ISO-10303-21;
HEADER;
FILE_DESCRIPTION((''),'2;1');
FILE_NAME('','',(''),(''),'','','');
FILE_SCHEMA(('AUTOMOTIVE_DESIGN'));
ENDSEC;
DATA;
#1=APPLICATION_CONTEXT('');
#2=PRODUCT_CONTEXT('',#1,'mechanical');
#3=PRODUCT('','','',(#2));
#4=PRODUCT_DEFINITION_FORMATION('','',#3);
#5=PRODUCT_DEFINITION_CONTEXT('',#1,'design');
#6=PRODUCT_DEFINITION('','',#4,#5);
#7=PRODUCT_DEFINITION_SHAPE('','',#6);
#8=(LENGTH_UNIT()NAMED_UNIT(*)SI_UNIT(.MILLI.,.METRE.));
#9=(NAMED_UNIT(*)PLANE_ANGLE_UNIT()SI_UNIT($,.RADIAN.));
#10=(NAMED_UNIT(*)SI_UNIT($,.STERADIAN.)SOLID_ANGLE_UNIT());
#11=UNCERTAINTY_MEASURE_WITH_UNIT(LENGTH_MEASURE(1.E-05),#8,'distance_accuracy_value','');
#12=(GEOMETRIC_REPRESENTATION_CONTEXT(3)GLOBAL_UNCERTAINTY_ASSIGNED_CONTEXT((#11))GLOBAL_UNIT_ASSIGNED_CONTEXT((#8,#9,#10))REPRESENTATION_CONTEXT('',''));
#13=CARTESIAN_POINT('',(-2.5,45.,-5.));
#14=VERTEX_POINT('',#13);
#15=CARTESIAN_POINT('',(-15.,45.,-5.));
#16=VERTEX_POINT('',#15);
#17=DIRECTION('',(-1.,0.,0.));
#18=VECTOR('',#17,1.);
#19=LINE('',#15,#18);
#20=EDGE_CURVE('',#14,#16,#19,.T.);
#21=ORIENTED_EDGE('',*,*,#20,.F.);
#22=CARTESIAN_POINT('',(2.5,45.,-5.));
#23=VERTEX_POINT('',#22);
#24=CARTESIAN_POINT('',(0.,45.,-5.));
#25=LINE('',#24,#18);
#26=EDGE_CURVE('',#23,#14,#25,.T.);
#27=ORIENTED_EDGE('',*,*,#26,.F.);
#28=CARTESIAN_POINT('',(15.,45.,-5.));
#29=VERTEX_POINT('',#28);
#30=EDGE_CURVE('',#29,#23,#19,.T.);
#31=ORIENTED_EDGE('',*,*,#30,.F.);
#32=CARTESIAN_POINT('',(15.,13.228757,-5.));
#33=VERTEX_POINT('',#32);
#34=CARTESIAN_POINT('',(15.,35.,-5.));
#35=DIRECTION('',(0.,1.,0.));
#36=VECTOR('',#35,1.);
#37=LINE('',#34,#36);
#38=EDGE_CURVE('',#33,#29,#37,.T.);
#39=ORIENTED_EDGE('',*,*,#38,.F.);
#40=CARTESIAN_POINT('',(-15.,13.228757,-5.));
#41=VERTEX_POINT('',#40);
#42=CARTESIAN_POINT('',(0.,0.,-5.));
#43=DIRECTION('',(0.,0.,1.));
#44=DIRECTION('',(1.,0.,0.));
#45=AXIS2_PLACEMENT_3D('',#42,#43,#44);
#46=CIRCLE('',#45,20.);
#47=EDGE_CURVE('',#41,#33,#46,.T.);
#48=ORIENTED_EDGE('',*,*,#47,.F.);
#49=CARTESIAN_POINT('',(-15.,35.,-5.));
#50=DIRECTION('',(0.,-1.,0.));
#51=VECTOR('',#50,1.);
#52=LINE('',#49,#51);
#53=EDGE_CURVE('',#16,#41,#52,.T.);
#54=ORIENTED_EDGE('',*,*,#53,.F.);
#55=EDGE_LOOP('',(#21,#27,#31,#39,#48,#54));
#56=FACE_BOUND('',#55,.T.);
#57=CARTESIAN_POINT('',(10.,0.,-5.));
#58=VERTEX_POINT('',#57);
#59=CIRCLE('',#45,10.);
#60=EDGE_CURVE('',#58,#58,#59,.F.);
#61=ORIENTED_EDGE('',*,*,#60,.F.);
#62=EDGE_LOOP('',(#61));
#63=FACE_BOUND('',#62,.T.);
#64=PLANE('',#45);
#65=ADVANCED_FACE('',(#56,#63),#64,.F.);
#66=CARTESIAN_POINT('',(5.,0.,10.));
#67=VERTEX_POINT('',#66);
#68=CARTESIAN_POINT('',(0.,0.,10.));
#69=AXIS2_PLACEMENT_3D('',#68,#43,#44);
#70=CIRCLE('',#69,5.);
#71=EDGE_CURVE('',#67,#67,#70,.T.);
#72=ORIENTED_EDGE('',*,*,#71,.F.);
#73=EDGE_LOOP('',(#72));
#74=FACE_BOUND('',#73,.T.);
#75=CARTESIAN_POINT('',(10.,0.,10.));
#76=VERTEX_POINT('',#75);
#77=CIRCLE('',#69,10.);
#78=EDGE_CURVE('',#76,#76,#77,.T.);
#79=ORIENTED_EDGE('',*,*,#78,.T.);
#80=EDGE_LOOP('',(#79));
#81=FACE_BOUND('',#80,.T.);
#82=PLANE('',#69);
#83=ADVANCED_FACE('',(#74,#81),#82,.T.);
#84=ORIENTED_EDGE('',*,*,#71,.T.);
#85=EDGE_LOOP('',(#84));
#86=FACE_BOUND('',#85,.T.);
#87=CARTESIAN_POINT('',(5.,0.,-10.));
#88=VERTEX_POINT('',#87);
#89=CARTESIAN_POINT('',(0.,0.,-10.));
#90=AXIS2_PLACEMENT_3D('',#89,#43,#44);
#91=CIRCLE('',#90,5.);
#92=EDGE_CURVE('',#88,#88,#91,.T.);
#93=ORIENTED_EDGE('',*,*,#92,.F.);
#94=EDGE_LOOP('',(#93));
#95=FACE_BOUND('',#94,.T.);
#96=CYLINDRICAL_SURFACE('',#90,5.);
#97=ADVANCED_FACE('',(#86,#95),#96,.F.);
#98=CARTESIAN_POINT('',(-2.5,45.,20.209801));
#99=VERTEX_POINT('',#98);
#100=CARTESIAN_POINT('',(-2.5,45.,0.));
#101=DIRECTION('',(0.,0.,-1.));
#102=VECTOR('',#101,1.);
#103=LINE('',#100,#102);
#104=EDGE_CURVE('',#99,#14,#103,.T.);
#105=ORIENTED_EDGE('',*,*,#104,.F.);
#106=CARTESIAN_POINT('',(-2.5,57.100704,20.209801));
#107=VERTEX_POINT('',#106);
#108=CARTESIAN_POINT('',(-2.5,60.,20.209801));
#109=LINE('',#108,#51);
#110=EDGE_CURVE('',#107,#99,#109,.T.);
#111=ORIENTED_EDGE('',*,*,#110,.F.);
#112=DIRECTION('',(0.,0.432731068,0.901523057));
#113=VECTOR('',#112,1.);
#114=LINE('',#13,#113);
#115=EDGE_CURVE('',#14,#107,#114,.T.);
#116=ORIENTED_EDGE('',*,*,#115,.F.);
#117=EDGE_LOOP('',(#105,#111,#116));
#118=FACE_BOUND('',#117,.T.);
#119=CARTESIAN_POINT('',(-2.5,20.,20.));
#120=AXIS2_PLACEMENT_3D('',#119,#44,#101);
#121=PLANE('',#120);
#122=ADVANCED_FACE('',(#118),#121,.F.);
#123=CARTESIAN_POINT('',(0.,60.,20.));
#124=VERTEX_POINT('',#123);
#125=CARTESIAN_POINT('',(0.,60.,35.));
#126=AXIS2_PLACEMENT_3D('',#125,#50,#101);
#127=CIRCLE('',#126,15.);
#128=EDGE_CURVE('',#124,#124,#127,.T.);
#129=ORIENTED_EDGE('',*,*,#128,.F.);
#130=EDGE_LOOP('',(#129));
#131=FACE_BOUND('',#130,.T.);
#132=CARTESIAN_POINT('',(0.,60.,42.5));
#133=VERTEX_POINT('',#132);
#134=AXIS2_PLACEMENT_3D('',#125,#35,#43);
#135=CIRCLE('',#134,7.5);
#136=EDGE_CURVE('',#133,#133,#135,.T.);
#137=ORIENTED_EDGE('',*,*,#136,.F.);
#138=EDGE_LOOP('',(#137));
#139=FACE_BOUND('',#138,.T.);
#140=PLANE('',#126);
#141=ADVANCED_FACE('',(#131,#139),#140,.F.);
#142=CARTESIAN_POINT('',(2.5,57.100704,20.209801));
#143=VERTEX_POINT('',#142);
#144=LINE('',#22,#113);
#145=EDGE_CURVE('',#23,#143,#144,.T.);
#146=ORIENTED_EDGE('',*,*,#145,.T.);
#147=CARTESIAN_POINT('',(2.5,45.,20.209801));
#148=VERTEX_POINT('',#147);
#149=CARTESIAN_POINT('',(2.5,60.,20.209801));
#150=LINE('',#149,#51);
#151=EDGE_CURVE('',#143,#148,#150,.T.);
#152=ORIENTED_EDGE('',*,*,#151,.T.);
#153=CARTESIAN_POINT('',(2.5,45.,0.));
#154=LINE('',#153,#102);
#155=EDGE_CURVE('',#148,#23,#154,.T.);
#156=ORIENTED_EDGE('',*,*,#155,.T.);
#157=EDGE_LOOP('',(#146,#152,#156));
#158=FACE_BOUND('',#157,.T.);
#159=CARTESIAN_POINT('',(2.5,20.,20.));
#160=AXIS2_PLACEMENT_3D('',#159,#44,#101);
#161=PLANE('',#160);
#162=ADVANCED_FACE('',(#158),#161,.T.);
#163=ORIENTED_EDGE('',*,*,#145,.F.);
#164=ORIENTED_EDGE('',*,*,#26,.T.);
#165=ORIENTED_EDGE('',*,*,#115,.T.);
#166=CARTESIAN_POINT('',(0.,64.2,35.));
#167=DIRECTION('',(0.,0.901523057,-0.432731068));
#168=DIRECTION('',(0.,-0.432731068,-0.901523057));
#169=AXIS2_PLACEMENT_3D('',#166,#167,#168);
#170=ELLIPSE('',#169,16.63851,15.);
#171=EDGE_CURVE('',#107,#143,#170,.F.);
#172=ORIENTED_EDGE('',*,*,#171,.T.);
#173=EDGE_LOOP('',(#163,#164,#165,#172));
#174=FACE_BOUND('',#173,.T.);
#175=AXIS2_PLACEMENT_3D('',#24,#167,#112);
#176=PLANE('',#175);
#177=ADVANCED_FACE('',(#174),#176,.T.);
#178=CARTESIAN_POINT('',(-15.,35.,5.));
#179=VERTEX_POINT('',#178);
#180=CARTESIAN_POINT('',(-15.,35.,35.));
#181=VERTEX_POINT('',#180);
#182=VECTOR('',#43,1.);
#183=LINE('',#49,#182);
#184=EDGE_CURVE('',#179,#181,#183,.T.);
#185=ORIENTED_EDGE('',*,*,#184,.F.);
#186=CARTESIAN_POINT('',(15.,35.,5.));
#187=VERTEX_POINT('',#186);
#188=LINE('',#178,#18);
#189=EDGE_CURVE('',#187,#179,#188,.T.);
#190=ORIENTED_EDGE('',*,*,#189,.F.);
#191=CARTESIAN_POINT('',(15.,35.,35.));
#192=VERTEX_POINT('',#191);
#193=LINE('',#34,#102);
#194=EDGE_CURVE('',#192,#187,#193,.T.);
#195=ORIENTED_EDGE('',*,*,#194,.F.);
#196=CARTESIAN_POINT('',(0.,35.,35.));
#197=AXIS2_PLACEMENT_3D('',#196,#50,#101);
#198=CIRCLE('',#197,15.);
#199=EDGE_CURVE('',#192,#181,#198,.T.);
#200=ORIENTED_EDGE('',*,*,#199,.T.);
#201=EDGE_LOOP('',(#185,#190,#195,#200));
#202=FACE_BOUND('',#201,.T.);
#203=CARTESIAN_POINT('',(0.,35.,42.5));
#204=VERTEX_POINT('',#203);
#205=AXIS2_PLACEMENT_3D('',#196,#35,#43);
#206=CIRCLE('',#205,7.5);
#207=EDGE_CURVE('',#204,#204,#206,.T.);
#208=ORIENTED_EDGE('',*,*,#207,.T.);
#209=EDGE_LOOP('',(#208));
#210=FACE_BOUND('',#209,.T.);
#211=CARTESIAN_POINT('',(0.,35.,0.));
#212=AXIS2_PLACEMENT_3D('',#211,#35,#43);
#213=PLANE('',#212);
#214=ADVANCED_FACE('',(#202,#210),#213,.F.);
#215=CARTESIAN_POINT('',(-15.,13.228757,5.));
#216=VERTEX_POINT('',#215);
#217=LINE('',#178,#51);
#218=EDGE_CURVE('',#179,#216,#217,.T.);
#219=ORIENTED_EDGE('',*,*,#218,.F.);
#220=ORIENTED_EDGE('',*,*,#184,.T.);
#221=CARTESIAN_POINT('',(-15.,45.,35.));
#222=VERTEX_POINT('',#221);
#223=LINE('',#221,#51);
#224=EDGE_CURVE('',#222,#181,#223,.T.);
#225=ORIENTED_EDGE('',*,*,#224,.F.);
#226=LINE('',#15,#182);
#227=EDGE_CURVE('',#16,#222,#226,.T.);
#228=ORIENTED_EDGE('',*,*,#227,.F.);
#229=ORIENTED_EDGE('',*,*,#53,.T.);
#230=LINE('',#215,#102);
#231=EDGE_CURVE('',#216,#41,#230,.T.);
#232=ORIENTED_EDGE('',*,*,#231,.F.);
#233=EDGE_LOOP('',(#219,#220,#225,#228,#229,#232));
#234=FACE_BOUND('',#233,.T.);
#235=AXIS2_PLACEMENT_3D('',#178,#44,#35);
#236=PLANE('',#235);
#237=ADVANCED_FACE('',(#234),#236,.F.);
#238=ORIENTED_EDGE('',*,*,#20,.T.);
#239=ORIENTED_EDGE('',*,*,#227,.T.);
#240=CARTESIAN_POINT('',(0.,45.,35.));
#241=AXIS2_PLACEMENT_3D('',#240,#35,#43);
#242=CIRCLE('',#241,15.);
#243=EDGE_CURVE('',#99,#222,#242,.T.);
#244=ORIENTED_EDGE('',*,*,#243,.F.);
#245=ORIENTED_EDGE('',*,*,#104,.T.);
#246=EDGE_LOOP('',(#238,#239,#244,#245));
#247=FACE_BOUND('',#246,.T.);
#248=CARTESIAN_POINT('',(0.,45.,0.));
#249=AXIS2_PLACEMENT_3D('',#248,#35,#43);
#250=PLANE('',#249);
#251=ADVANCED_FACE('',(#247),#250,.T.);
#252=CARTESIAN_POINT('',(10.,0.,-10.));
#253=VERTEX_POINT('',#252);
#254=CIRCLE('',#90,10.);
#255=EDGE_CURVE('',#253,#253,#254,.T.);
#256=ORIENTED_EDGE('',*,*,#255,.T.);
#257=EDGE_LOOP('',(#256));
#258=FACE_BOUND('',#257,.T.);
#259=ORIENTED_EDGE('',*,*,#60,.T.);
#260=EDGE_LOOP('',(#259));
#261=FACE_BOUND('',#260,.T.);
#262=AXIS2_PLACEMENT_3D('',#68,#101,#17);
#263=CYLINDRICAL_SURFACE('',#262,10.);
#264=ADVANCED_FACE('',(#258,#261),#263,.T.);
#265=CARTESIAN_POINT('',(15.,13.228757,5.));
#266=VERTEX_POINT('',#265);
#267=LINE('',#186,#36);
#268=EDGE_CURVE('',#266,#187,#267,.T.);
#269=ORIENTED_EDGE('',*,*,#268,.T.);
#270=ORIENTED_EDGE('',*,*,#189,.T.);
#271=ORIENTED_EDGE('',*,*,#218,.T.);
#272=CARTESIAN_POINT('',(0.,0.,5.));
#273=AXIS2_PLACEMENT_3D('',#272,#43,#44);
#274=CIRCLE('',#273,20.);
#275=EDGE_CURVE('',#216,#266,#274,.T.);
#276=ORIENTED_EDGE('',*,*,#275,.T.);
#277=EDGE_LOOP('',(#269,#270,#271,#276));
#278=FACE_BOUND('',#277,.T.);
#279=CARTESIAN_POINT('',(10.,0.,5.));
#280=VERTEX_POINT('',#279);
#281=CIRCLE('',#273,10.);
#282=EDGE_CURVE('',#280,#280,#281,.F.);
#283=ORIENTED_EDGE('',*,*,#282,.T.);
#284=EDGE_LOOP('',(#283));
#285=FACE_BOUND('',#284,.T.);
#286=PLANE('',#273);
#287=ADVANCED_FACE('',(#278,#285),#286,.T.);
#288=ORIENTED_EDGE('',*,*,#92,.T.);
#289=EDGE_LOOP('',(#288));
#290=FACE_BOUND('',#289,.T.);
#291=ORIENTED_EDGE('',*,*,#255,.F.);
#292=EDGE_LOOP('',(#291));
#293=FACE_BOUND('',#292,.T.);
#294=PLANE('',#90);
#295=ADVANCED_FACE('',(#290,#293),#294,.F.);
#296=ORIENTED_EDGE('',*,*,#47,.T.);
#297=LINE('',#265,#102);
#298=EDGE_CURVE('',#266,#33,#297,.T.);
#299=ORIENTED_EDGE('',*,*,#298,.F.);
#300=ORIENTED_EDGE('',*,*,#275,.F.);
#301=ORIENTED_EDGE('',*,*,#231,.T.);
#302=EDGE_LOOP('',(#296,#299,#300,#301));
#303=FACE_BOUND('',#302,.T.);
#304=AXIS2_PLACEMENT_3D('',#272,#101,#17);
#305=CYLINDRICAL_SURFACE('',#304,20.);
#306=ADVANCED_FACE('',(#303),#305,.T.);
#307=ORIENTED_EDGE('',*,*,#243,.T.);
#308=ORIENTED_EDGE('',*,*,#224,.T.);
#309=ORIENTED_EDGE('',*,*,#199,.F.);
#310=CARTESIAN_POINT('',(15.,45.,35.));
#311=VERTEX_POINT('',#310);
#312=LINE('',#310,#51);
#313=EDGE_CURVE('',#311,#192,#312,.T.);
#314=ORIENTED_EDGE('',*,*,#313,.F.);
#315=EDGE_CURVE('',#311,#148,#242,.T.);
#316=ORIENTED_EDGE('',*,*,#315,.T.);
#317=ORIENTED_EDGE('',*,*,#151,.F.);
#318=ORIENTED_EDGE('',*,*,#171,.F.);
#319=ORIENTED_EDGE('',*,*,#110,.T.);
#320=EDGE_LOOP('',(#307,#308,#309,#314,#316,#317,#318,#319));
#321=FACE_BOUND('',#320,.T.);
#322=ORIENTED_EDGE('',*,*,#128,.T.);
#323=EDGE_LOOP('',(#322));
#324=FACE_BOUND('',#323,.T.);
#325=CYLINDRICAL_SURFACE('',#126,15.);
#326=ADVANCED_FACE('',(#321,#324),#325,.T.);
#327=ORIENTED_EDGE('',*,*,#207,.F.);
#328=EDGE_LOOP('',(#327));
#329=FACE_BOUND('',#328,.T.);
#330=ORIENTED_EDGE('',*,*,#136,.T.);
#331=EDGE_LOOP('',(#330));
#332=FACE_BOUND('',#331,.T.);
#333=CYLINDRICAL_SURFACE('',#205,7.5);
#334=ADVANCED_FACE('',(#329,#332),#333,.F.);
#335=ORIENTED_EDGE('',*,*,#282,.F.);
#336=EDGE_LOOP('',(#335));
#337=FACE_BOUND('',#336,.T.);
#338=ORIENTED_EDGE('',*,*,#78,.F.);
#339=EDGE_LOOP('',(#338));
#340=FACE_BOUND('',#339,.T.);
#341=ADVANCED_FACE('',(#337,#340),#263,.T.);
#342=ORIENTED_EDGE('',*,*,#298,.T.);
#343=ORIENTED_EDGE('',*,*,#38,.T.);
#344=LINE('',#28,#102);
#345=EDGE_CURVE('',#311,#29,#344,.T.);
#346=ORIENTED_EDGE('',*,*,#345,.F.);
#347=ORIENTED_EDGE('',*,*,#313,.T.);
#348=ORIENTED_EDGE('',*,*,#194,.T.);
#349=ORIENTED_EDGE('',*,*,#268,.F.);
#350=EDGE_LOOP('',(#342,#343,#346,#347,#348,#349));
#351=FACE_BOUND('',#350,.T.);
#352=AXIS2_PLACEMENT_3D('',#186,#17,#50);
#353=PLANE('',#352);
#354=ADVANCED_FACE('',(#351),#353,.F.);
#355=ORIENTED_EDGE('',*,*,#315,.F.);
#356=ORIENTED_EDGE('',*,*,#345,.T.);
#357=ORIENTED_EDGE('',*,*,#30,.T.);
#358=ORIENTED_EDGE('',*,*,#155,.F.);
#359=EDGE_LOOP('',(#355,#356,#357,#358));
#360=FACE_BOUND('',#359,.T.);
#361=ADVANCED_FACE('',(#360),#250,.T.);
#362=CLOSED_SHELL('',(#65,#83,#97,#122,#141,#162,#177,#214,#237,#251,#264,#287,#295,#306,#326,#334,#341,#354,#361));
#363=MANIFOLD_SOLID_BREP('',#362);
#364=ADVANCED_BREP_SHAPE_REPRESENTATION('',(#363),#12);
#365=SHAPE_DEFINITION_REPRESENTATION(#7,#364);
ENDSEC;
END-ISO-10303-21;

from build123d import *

# Parameters (mm, degrees)
EXTRUDE_1_DEPTH     = 5
SKETCH_2_R          = 10
EXTRUDE_2_DEPTH     = 10
SKETCH_3_R          = 5
CUT_EXTRUDE_1_DEPTH = 20
SKETCH_4_W          = 30
SKETCH_4_H          = 40
EXTRUDE_3_DEPTH     = 10
SKETCH_5_R          = 15
EXTRUDE_4_DEPTH     = 25
SKETCH_6_R          = 7.5
CUT_EXTRUDE_2_DEPTH = 25
RIB_3_REACH         = 82.623
SKETCH_7_WALL_W     = 190.976004214
SKETCH_7_WALL_H     = 5


with BuildPart() as part:
    # 草图1 → 凸台-拉伸1 (new, symmetric)
    with BuildSketch(Plane.XY):
        with BuildLine():
            Line((-15, 35), (15, 35))
            Line((15, 35), (15, 13.228756555))
            ThreePointArc((15, 13.228756555), (0, -20), (-15, 13.228756555))
            Line((-15, 13.228756555), (-15, 35))
        make_face()
    extrude(amount=EXTRUDE_1_DEPTH, both=True)

    # 草图2 → 凸台-拉伸2 (add, symmetric)
    with BuildSketch(Plane.XY):
        Circle(SKETCH_2_R)
    extrude(amount=EXTRUDE_2_DEPTH, both=True)

    # 草图3 → 切除-拉伸1 (cut)
    with BuildSketch(Plane.XY.offset(10)):
        Circle(SKETCH_3_R)
    extrude(amount=-CUT_EXTRUDE_1_DEPTH, mode=Mode.SUBTRACT)

    # 草图4 → 凸台-拉伸3 (add)
    with BuildSketch(Plane(origin=(0, 35, 0), x_dir=(1, 0, 0), z_dir=(0, 1, 0))):
        with Locations((0, -15)):
            Rectangle(SKETCH_4_W, SKETCH_4_H)
    extrude(amount=EXTRUDE_3_DEPTH)

    # 草图5 → 凸台-拉伸4 (add)
    with BuildSketch(Plane.XZ.offset(-35)):
        with Locations(Location((0, 35, 0), (0, 0, 270))):
            Circle(SKETCH_5_R)
    extrude(amount=-EXTRUDE_4_DEPTH)

    # 草图6 → 切除-拉伸2 (cut)
    with BuildSketch(Plane(origin=(0, 60, 0), x_dir=(1, 0, 0), z_dir=(0, 1, 0))):
        with Locations(Location((0, -35, 0), (0, 0, 270))):
            Circle(SKETCH_6_R)
    extrude(amount=-CUT_EXTRUDE_2_DEPTH, mode=Mode.SUBTRACT)

    # 草图7 wall → 筋3 (add, up to next)
    with BuildSketch(Plane(origin=(0, 51, 7.5), x_dir=(0, 0.432731067585, 0.901523057468), z_dir=(0, -0.901523057468, 0.432731067585)), mode=Mode.PRIVATE) as rib_3_sk1:
        Rectangle(SKETCH_7_WALL_W, SKETCH_7_WALL_H)
    rib_3_tool1 = extrude(rib_3_sk1.sketch, amount=RIB_3_REACH, mode=Mode.PRIVATE) - part.part
    add(rib_3_tool1.solids().sort_by_distance((0, 51, 7.5))[0])


solid = part.part
